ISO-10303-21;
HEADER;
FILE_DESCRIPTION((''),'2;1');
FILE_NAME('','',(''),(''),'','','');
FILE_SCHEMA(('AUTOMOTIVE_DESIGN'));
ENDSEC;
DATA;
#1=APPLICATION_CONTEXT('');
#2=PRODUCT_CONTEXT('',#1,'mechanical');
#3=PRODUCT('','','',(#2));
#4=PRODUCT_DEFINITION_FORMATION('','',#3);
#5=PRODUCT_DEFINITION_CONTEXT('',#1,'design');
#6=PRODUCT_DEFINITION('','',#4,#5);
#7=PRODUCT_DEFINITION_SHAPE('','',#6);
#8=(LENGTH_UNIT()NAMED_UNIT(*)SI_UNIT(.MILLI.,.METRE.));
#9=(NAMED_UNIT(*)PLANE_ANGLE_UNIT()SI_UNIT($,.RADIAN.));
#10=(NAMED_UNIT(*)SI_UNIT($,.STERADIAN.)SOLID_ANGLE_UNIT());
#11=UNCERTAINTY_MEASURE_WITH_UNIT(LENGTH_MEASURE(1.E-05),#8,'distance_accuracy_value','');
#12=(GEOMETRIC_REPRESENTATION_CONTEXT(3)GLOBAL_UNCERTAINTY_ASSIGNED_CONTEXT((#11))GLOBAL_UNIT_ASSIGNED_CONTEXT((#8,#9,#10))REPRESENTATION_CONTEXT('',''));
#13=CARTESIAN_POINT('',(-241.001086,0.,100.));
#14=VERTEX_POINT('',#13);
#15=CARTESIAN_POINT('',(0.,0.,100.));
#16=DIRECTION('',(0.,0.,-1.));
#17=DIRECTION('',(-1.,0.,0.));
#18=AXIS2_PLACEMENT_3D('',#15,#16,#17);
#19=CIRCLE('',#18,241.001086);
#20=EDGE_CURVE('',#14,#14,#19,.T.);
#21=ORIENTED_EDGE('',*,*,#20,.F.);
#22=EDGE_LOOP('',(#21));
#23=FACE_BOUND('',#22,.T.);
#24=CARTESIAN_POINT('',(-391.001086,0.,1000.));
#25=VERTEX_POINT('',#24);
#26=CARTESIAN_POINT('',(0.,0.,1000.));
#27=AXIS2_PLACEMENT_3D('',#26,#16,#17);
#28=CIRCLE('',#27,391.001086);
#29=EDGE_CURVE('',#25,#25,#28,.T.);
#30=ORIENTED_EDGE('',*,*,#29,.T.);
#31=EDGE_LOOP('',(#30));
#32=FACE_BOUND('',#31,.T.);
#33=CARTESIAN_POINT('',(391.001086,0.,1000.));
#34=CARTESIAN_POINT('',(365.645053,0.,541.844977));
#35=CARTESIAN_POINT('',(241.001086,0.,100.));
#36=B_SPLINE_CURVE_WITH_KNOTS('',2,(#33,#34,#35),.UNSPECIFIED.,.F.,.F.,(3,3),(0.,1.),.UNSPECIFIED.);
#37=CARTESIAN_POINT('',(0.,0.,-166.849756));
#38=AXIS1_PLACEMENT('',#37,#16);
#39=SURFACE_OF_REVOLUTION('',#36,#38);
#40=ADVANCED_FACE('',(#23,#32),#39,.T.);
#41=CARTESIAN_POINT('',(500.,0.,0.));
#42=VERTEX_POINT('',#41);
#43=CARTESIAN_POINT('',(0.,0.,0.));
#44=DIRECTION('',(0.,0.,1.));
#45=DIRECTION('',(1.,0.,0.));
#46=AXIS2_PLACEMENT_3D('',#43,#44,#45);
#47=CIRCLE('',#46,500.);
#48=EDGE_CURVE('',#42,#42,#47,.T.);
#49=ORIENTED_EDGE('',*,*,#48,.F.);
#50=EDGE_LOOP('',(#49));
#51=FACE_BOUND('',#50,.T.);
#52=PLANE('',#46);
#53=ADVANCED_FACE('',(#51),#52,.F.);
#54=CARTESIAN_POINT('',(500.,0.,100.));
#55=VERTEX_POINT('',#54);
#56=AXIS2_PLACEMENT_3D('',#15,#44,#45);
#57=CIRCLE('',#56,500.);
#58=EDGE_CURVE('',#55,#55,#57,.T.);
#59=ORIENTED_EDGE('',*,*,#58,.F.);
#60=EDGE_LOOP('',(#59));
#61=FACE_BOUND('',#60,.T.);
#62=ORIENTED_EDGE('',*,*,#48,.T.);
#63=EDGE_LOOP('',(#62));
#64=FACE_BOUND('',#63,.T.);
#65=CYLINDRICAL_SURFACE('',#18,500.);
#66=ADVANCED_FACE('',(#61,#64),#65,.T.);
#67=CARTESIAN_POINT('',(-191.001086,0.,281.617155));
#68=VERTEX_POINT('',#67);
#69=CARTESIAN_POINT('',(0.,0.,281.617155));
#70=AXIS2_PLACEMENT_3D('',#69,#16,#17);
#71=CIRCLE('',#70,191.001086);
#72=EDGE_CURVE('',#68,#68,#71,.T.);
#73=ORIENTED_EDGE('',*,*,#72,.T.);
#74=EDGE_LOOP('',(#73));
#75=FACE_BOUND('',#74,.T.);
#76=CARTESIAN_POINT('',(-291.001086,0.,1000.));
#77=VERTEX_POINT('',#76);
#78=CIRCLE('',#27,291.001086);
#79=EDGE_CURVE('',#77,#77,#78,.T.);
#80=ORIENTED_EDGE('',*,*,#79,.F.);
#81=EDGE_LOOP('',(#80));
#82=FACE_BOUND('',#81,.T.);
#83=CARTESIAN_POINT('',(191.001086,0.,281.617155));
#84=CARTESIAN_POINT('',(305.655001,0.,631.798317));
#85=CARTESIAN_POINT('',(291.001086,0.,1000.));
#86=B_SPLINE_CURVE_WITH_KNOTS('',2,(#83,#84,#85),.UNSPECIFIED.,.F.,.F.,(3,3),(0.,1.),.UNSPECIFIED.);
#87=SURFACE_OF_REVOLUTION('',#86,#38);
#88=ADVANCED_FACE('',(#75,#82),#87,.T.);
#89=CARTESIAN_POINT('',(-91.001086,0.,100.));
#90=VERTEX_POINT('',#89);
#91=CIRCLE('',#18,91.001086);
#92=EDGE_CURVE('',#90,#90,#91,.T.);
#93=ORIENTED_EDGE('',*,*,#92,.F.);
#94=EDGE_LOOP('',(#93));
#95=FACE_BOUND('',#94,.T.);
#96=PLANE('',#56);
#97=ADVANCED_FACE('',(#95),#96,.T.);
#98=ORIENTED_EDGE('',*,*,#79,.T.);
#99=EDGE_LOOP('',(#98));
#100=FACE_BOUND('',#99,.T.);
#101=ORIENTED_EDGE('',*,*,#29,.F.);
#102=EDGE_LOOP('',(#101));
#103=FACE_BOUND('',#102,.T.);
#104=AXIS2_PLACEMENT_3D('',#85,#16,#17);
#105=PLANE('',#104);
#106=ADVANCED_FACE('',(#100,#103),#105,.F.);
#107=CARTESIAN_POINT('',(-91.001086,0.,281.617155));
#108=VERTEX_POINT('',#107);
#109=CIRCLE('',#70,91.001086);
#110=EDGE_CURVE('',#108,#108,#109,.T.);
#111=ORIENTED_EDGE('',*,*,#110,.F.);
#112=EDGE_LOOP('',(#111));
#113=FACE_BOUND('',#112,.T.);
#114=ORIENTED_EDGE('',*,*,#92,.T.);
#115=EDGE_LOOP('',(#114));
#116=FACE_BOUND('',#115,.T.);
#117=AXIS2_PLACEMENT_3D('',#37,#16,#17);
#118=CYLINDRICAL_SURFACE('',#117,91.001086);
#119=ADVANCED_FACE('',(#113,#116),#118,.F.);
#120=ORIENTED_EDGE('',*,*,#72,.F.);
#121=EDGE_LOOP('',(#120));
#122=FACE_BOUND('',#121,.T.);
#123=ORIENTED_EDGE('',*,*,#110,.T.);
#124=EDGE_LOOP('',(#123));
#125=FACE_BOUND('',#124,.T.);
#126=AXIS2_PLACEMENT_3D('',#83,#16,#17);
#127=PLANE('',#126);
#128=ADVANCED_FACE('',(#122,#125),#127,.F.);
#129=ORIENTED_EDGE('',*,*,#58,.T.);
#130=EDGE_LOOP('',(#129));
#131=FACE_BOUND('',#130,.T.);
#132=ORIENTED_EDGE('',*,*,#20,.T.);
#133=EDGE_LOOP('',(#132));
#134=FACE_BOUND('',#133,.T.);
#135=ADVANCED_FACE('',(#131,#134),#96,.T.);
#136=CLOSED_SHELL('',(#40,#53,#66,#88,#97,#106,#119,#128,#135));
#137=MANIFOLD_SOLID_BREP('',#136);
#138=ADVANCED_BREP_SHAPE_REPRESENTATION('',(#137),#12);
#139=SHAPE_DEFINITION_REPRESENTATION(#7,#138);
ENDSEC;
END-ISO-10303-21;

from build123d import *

# Parameters (mm, degrees)
SKETCH1_R           = 500
BOSS_EXTRUDE1_DEPTH = 100


with BuildPart() as part:
    # Sketch1 → Boss-Extrude1 (new body)
    with BuildSketch(Plane.XY):
        Circle(SKETCH1_R)
    extrude(amount=BOSS_EXTRUDE1_DEPTH)

    # Sketch2 → Revolve2 (revolve)
    with BuildSketch(Plane(origin=(0, 0, 0), x_dir=(1, 0, 0), z_dir=(0, 1, 0)), mode=Mode.PRIVATE) as revolve2_sk:
        with BuildLine():
            Line((191.001086436, -281.617154631), (91.001086436, -281.617154631))
            Line((91.001086436, -281.617154631), (91.001086436, -100))
            Line((91.001086436, -100), (241.001086436, -100))
            add(Edge.make_bspline(
                [(241.001086436, -100), (365.645053483, -541.844977323), (391.001086436, -1000)],
                knots=[0, 0, 0, 1, 1, 1], degree=2))
            Line((391.001086436, -1000), (291.001086436, -1000))
            add(Edge.make_bspline(
                [(191.001086436, -281.617154631), (305.655000956, -631.798317471), (291.001086436, -1000)],
                knots=[0, 0, 0, 1, 1, 1], degree=2))
        make_face()
    revolve(revolve2_sk.sketch.rotate(Axis((0, 0, -166.849755885), (0, 0, 1)), 180), axis=Axis((0, 0, -166.849755885), (0, 0, 1)))


solid = part.part
